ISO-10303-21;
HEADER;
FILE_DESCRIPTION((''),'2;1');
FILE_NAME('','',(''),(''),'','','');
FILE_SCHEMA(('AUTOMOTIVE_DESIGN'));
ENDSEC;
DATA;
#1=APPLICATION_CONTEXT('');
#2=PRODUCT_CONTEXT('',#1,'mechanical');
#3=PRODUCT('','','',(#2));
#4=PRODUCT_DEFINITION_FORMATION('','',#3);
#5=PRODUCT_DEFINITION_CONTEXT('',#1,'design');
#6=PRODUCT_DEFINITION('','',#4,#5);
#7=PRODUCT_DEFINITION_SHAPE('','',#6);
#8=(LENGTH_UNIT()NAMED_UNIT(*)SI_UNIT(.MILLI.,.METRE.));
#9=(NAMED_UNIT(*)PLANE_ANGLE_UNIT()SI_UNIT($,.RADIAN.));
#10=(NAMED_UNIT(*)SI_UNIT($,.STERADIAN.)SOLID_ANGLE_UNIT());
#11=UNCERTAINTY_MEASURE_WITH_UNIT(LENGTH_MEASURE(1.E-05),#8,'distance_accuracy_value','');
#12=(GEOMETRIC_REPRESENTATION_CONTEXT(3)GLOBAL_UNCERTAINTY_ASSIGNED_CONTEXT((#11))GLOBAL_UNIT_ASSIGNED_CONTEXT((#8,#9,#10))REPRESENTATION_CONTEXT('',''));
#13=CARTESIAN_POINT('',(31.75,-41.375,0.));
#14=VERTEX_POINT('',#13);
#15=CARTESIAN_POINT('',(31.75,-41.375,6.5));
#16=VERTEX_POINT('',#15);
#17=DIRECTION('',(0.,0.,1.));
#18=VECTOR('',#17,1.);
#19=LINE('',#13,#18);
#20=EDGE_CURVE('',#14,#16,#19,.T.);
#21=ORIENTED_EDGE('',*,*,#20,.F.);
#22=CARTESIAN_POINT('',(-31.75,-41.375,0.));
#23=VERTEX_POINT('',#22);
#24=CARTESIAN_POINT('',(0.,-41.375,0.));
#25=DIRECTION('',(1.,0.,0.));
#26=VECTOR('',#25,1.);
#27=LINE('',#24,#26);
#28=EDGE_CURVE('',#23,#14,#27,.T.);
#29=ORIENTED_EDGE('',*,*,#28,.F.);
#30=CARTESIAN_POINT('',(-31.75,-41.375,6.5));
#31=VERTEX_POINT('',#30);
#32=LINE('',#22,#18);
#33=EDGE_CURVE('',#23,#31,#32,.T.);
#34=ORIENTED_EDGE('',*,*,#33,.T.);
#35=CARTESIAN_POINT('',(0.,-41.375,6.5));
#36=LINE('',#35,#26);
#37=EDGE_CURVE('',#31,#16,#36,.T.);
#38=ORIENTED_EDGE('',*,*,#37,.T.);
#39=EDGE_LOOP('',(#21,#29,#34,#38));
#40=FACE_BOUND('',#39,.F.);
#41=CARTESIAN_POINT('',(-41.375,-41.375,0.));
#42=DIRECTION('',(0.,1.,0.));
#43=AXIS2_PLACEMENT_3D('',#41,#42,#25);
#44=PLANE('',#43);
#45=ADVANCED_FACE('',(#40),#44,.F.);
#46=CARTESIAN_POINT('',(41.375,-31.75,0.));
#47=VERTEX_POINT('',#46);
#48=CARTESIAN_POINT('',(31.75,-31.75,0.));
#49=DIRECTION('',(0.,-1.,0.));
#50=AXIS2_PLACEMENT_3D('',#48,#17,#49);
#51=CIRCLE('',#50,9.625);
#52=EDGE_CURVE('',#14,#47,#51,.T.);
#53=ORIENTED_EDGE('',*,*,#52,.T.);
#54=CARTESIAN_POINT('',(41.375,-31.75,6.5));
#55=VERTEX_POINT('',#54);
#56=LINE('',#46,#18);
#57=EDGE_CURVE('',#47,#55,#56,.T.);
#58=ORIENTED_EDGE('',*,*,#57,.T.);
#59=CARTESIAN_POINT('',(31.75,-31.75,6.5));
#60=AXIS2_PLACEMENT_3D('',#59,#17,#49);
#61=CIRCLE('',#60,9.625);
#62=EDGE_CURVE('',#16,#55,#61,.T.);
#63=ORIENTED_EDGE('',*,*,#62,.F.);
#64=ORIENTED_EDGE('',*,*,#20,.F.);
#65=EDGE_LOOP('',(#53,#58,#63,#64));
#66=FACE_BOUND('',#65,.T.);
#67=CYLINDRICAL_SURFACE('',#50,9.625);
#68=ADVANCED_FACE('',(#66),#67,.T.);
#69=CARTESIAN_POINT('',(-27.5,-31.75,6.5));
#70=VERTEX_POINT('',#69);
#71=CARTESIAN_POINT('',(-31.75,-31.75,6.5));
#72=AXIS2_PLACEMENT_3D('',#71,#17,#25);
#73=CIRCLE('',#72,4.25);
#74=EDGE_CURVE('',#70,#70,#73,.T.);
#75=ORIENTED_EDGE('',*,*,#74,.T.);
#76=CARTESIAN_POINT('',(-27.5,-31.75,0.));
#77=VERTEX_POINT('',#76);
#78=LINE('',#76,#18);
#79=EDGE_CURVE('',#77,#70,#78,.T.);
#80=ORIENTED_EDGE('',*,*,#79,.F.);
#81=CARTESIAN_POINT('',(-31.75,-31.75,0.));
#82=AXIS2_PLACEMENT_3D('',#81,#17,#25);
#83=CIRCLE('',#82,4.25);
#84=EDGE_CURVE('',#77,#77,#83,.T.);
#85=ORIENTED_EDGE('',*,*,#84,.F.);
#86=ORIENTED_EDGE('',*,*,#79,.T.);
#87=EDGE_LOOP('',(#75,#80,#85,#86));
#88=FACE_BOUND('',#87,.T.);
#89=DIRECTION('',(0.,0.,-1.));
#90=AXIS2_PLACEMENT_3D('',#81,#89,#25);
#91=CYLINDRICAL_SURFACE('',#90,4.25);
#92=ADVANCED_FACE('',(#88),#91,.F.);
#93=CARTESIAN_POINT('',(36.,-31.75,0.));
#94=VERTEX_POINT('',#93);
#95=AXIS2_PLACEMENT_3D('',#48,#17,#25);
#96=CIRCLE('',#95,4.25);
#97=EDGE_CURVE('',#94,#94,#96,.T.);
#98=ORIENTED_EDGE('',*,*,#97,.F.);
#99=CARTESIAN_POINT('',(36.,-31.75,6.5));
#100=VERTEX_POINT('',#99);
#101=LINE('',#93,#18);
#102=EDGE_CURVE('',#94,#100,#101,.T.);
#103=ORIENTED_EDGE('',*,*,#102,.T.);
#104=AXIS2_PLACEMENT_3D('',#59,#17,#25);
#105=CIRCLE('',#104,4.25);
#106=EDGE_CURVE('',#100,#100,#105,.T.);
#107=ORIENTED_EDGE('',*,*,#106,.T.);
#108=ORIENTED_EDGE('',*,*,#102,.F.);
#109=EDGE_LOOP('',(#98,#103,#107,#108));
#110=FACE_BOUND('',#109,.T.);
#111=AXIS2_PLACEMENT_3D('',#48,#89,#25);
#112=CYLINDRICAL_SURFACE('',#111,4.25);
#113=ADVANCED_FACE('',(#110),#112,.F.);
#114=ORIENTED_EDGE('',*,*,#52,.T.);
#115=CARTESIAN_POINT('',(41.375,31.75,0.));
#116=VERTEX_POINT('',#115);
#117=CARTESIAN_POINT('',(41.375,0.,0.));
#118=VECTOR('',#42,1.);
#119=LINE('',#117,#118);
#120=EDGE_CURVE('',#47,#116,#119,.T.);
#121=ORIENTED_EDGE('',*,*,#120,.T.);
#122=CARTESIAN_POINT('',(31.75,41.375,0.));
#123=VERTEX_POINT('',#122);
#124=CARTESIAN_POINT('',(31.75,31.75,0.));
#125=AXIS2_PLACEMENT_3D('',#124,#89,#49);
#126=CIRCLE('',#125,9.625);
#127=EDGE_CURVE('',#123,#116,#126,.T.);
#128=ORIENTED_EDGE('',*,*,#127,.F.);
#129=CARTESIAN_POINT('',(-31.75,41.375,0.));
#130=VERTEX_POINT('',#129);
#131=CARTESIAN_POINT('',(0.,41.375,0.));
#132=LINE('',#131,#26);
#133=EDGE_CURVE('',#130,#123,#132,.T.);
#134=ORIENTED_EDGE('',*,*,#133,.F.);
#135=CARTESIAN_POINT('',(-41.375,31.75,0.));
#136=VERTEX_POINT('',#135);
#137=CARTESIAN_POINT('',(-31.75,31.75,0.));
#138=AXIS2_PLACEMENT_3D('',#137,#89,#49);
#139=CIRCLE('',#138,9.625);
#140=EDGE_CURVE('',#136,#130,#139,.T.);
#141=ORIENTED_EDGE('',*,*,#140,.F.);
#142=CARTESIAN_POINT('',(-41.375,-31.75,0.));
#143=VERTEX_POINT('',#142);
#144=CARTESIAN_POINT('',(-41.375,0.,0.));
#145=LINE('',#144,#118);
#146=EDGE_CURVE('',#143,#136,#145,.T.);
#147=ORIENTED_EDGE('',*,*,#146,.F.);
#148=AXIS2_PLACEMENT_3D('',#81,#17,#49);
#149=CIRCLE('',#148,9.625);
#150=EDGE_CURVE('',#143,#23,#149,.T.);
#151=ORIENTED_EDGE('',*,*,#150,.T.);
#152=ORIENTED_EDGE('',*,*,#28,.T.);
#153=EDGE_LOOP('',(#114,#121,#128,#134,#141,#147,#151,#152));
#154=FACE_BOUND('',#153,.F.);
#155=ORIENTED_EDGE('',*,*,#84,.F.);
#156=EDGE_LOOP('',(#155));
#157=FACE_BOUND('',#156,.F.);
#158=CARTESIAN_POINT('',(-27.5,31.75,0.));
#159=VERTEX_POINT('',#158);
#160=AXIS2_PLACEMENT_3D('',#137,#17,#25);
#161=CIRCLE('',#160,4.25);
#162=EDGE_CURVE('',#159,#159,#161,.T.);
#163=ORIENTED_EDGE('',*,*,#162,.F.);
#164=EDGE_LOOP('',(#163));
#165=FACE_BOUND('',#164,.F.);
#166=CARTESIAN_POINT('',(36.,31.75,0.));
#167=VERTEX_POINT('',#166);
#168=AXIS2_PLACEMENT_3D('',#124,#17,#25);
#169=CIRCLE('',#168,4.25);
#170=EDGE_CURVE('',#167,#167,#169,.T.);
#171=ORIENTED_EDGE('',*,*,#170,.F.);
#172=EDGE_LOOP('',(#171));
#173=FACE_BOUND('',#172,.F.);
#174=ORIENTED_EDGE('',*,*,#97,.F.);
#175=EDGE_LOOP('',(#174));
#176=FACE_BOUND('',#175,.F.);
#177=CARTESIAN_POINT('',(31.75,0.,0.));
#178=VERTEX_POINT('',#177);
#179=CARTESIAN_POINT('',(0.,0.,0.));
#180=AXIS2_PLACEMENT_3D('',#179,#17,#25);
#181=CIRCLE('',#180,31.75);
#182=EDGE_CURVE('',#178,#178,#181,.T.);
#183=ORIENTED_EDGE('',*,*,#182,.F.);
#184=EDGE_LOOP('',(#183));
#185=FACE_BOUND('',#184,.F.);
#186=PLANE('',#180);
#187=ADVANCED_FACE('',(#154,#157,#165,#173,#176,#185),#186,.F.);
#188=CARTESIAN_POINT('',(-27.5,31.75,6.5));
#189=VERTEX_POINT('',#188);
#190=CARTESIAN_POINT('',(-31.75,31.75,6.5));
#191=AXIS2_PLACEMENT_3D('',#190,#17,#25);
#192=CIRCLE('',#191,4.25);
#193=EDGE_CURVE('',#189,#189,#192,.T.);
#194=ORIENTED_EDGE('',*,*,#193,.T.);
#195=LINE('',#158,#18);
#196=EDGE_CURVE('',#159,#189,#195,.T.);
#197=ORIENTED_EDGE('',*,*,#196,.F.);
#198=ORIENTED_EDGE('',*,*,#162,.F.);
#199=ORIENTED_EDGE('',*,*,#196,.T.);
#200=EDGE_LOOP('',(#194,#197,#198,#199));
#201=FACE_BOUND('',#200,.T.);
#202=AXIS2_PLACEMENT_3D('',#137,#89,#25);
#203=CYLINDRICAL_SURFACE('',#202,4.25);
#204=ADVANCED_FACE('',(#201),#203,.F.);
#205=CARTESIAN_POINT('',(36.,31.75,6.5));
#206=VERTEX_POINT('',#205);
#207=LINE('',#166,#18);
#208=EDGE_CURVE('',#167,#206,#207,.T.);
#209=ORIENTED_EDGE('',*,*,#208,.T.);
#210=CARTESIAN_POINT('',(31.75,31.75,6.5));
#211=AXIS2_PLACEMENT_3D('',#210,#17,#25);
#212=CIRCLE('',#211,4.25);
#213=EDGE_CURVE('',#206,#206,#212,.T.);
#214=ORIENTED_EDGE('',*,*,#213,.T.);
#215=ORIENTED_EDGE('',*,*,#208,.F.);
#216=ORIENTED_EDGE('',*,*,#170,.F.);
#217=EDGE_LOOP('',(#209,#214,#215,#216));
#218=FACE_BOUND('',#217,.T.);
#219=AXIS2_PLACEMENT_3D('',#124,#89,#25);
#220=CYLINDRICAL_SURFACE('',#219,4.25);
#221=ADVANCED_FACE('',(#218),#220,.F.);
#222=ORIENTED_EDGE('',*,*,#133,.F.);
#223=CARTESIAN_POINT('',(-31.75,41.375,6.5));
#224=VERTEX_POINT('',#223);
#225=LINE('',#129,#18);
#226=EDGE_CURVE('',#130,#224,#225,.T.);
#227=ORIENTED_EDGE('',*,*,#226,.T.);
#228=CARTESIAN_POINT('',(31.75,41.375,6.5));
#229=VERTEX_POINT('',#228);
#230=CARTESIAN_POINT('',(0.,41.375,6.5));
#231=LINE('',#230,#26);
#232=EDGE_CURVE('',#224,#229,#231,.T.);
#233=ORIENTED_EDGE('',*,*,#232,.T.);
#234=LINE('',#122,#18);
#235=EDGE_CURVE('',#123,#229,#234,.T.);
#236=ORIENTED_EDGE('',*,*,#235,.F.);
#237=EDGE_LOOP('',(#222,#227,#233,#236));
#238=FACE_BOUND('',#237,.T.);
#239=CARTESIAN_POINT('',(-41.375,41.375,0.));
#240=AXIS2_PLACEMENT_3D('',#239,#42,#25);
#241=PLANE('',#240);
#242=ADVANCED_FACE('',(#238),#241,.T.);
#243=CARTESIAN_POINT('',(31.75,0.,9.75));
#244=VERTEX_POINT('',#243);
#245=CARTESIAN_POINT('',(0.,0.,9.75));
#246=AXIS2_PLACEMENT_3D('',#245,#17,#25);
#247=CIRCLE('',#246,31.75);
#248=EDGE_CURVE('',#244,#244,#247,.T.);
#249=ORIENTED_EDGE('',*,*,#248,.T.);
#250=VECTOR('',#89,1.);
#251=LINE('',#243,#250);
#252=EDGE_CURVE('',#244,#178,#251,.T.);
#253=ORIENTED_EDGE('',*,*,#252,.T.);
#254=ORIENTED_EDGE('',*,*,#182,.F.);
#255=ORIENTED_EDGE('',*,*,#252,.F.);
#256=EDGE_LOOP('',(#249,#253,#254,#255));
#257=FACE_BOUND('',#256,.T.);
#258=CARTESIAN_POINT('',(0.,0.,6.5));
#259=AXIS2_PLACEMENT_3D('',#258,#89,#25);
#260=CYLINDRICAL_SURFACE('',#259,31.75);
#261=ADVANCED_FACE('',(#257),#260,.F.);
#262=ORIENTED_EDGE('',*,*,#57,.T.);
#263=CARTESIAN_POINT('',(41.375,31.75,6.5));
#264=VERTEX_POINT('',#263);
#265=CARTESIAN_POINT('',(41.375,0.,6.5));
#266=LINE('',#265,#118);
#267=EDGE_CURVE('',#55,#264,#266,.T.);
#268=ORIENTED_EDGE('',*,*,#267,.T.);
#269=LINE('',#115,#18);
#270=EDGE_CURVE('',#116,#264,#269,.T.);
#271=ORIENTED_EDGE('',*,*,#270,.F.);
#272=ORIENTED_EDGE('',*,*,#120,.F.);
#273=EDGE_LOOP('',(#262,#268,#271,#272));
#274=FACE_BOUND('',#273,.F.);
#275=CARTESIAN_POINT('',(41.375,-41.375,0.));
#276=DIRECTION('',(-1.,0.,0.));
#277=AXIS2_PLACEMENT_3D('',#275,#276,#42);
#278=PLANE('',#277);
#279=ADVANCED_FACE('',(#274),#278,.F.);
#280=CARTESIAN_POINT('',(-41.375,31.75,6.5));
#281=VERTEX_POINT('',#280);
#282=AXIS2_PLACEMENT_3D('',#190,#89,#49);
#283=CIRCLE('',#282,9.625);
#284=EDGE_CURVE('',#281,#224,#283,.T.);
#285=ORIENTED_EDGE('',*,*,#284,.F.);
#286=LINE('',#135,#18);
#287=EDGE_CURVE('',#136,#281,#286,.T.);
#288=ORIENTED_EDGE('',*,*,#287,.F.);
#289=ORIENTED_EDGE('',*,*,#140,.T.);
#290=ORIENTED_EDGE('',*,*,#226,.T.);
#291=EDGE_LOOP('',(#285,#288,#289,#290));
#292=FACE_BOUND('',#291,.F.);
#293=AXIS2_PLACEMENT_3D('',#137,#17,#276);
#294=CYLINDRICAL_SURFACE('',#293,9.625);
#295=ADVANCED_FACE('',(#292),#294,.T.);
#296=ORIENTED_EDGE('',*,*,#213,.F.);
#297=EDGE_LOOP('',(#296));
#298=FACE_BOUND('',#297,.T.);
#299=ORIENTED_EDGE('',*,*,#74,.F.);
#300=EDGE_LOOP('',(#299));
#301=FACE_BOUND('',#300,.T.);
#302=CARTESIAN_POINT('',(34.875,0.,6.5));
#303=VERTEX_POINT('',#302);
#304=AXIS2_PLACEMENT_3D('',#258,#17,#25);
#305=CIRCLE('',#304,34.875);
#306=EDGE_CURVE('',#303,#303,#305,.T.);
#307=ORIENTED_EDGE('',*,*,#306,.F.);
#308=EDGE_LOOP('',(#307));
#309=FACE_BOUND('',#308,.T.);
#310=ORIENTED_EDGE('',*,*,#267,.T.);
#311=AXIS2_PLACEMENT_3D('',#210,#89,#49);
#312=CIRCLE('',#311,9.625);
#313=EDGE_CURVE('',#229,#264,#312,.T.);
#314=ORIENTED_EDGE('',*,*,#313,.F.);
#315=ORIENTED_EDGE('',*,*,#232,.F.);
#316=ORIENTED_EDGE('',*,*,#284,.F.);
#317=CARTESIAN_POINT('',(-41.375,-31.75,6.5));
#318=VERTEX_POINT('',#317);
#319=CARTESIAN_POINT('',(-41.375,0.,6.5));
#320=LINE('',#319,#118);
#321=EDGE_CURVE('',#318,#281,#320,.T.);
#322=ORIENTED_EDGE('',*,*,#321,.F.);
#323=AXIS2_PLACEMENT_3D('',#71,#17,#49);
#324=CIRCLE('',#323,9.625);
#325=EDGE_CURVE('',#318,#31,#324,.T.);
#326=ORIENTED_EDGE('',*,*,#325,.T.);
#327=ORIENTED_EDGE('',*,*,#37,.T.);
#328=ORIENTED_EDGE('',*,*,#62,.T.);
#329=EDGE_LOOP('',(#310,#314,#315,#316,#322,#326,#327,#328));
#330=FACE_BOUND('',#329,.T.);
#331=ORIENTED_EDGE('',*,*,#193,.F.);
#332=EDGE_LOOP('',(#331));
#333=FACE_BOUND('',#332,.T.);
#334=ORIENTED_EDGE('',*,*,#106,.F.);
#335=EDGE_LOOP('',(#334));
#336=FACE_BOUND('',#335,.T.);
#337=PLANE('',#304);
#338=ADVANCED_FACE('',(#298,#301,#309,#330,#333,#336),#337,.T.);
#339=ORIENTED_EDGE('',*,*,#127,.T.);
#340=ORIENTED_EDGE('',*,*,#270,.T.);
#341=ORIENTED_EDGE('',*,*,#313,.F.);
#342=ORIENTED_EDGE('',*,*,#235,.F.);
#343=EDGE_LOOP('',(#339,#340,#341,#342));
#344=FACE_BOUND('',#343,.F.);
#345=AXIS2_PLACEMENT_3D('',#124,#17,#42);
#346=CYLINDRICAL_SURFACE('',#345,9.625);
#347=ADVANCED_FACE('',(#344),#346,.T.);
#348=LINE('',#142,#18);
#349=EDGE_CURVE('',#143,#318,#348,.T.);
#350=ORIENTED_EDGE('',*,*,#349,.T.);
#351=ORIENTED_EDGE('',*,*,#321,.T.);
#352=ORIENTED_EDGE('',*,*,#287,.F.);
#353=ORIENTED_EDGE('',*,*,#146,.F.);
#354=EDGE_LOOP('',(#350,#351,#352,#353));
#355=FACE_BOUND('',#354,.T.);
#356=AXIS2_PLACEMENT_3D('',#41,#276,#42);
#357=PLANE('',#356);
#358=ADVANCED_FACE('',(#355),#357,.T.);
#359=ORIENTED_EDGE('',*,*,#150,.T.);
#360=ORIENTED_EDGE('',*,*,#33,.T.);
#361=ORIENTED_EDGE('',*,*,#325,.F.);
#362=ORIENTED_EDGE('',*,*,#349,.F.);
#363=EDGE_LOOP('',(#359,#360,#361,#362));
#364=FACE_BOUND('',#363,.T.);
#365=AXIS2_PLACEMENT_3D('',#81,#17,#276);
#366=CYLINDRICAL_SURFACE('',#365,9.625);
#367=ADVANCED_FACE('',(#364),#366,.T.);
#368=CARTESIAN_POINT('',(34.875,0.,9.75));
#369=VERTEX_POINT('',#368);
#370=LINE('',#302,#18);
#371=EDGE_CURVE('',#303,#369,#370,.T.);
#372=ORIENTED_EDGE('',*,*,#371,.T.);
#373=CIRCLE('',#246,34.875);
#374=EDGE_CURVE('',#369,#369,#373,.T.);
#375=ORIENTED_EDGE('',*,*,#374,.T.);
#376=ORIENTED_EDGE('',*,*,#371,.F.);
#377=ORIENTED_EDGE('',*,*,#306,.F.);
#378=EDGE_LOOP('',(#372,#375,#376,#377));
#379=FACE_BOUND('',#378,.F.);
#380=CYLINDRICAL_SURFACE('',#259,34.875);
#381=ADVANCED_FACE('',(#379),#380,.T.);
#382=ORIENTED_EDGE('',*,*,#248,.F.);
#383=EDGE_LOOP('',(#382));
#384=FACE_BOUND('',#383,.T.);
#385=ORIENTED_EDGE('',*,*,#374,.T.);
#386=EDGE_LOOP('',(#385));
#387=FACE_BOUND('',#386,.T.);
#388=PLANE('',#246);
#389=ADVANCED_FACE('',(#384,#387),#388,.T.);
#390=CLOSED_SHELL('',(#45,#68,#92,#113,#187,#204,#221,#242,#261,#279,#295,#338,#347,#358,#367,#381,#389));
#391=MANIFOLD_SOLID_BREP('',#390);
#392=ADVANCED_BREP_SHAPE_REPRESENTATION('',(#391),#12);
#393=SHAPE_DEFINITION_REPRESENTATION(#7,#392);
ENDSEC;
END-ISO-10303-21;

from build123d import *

# Parameters (mm, degrees)
F0_W     = 82.75
F0_H     = 82.75
F0_R     = 4.25
F0_R_2   = 31.75
F1_DEPTH = 6.5
F2_R     = 9.625
F3_R     = 34.875
F3_R_2   = 31.75
F4_DEPTH = 3.25


with BuildPart() as f1:
    # F0 (on Top) → F1 (new body)
    with BuildSketch(Plane.XY):
        Rectangle(F0_W, F0_H)
        with Locations((-31.75, -31.75)):
            Circle(F0_R, mode=Mode.SUBTRACT)
        with Locations((31.75, -31.75)):
            Circle(F0_R, mode=Mode.SUBTRACT)
        with Locations((-31.75, 31.75)):
            Circle(F0_R, mode=Mode.SUBTRACT)
        Circle(F0_R_2, mode=Mode.SUBTRACT)
        with Locations((31.75, 31.75)):
            Circle(F0_R, mode=Mode.SUBTRACT)
    extrude(amount=F1_DEPTH)

    # F2
    f2_edges = [f1.edges().sort_by_distance(p)[0] for p in [
        (-41.375, -41.375, 3.25),
        (-41.375, 41.375, 3.25),
        (41.375, 41.375, 3.25),
        (41.375, -41.375, 3.25),
    ]]
    fillet(f2_edges, radius=F2_R)

    # F3 (on face) → F4 (join)
    with BuildSketch(Plane.XY.offset(6.5)):
        Circle(F3_R)
        Circle(F3_R_2, mode=Mode.SUBTRACT)
    extrude(amount=F4_DEPTH)


solid = f1.part
